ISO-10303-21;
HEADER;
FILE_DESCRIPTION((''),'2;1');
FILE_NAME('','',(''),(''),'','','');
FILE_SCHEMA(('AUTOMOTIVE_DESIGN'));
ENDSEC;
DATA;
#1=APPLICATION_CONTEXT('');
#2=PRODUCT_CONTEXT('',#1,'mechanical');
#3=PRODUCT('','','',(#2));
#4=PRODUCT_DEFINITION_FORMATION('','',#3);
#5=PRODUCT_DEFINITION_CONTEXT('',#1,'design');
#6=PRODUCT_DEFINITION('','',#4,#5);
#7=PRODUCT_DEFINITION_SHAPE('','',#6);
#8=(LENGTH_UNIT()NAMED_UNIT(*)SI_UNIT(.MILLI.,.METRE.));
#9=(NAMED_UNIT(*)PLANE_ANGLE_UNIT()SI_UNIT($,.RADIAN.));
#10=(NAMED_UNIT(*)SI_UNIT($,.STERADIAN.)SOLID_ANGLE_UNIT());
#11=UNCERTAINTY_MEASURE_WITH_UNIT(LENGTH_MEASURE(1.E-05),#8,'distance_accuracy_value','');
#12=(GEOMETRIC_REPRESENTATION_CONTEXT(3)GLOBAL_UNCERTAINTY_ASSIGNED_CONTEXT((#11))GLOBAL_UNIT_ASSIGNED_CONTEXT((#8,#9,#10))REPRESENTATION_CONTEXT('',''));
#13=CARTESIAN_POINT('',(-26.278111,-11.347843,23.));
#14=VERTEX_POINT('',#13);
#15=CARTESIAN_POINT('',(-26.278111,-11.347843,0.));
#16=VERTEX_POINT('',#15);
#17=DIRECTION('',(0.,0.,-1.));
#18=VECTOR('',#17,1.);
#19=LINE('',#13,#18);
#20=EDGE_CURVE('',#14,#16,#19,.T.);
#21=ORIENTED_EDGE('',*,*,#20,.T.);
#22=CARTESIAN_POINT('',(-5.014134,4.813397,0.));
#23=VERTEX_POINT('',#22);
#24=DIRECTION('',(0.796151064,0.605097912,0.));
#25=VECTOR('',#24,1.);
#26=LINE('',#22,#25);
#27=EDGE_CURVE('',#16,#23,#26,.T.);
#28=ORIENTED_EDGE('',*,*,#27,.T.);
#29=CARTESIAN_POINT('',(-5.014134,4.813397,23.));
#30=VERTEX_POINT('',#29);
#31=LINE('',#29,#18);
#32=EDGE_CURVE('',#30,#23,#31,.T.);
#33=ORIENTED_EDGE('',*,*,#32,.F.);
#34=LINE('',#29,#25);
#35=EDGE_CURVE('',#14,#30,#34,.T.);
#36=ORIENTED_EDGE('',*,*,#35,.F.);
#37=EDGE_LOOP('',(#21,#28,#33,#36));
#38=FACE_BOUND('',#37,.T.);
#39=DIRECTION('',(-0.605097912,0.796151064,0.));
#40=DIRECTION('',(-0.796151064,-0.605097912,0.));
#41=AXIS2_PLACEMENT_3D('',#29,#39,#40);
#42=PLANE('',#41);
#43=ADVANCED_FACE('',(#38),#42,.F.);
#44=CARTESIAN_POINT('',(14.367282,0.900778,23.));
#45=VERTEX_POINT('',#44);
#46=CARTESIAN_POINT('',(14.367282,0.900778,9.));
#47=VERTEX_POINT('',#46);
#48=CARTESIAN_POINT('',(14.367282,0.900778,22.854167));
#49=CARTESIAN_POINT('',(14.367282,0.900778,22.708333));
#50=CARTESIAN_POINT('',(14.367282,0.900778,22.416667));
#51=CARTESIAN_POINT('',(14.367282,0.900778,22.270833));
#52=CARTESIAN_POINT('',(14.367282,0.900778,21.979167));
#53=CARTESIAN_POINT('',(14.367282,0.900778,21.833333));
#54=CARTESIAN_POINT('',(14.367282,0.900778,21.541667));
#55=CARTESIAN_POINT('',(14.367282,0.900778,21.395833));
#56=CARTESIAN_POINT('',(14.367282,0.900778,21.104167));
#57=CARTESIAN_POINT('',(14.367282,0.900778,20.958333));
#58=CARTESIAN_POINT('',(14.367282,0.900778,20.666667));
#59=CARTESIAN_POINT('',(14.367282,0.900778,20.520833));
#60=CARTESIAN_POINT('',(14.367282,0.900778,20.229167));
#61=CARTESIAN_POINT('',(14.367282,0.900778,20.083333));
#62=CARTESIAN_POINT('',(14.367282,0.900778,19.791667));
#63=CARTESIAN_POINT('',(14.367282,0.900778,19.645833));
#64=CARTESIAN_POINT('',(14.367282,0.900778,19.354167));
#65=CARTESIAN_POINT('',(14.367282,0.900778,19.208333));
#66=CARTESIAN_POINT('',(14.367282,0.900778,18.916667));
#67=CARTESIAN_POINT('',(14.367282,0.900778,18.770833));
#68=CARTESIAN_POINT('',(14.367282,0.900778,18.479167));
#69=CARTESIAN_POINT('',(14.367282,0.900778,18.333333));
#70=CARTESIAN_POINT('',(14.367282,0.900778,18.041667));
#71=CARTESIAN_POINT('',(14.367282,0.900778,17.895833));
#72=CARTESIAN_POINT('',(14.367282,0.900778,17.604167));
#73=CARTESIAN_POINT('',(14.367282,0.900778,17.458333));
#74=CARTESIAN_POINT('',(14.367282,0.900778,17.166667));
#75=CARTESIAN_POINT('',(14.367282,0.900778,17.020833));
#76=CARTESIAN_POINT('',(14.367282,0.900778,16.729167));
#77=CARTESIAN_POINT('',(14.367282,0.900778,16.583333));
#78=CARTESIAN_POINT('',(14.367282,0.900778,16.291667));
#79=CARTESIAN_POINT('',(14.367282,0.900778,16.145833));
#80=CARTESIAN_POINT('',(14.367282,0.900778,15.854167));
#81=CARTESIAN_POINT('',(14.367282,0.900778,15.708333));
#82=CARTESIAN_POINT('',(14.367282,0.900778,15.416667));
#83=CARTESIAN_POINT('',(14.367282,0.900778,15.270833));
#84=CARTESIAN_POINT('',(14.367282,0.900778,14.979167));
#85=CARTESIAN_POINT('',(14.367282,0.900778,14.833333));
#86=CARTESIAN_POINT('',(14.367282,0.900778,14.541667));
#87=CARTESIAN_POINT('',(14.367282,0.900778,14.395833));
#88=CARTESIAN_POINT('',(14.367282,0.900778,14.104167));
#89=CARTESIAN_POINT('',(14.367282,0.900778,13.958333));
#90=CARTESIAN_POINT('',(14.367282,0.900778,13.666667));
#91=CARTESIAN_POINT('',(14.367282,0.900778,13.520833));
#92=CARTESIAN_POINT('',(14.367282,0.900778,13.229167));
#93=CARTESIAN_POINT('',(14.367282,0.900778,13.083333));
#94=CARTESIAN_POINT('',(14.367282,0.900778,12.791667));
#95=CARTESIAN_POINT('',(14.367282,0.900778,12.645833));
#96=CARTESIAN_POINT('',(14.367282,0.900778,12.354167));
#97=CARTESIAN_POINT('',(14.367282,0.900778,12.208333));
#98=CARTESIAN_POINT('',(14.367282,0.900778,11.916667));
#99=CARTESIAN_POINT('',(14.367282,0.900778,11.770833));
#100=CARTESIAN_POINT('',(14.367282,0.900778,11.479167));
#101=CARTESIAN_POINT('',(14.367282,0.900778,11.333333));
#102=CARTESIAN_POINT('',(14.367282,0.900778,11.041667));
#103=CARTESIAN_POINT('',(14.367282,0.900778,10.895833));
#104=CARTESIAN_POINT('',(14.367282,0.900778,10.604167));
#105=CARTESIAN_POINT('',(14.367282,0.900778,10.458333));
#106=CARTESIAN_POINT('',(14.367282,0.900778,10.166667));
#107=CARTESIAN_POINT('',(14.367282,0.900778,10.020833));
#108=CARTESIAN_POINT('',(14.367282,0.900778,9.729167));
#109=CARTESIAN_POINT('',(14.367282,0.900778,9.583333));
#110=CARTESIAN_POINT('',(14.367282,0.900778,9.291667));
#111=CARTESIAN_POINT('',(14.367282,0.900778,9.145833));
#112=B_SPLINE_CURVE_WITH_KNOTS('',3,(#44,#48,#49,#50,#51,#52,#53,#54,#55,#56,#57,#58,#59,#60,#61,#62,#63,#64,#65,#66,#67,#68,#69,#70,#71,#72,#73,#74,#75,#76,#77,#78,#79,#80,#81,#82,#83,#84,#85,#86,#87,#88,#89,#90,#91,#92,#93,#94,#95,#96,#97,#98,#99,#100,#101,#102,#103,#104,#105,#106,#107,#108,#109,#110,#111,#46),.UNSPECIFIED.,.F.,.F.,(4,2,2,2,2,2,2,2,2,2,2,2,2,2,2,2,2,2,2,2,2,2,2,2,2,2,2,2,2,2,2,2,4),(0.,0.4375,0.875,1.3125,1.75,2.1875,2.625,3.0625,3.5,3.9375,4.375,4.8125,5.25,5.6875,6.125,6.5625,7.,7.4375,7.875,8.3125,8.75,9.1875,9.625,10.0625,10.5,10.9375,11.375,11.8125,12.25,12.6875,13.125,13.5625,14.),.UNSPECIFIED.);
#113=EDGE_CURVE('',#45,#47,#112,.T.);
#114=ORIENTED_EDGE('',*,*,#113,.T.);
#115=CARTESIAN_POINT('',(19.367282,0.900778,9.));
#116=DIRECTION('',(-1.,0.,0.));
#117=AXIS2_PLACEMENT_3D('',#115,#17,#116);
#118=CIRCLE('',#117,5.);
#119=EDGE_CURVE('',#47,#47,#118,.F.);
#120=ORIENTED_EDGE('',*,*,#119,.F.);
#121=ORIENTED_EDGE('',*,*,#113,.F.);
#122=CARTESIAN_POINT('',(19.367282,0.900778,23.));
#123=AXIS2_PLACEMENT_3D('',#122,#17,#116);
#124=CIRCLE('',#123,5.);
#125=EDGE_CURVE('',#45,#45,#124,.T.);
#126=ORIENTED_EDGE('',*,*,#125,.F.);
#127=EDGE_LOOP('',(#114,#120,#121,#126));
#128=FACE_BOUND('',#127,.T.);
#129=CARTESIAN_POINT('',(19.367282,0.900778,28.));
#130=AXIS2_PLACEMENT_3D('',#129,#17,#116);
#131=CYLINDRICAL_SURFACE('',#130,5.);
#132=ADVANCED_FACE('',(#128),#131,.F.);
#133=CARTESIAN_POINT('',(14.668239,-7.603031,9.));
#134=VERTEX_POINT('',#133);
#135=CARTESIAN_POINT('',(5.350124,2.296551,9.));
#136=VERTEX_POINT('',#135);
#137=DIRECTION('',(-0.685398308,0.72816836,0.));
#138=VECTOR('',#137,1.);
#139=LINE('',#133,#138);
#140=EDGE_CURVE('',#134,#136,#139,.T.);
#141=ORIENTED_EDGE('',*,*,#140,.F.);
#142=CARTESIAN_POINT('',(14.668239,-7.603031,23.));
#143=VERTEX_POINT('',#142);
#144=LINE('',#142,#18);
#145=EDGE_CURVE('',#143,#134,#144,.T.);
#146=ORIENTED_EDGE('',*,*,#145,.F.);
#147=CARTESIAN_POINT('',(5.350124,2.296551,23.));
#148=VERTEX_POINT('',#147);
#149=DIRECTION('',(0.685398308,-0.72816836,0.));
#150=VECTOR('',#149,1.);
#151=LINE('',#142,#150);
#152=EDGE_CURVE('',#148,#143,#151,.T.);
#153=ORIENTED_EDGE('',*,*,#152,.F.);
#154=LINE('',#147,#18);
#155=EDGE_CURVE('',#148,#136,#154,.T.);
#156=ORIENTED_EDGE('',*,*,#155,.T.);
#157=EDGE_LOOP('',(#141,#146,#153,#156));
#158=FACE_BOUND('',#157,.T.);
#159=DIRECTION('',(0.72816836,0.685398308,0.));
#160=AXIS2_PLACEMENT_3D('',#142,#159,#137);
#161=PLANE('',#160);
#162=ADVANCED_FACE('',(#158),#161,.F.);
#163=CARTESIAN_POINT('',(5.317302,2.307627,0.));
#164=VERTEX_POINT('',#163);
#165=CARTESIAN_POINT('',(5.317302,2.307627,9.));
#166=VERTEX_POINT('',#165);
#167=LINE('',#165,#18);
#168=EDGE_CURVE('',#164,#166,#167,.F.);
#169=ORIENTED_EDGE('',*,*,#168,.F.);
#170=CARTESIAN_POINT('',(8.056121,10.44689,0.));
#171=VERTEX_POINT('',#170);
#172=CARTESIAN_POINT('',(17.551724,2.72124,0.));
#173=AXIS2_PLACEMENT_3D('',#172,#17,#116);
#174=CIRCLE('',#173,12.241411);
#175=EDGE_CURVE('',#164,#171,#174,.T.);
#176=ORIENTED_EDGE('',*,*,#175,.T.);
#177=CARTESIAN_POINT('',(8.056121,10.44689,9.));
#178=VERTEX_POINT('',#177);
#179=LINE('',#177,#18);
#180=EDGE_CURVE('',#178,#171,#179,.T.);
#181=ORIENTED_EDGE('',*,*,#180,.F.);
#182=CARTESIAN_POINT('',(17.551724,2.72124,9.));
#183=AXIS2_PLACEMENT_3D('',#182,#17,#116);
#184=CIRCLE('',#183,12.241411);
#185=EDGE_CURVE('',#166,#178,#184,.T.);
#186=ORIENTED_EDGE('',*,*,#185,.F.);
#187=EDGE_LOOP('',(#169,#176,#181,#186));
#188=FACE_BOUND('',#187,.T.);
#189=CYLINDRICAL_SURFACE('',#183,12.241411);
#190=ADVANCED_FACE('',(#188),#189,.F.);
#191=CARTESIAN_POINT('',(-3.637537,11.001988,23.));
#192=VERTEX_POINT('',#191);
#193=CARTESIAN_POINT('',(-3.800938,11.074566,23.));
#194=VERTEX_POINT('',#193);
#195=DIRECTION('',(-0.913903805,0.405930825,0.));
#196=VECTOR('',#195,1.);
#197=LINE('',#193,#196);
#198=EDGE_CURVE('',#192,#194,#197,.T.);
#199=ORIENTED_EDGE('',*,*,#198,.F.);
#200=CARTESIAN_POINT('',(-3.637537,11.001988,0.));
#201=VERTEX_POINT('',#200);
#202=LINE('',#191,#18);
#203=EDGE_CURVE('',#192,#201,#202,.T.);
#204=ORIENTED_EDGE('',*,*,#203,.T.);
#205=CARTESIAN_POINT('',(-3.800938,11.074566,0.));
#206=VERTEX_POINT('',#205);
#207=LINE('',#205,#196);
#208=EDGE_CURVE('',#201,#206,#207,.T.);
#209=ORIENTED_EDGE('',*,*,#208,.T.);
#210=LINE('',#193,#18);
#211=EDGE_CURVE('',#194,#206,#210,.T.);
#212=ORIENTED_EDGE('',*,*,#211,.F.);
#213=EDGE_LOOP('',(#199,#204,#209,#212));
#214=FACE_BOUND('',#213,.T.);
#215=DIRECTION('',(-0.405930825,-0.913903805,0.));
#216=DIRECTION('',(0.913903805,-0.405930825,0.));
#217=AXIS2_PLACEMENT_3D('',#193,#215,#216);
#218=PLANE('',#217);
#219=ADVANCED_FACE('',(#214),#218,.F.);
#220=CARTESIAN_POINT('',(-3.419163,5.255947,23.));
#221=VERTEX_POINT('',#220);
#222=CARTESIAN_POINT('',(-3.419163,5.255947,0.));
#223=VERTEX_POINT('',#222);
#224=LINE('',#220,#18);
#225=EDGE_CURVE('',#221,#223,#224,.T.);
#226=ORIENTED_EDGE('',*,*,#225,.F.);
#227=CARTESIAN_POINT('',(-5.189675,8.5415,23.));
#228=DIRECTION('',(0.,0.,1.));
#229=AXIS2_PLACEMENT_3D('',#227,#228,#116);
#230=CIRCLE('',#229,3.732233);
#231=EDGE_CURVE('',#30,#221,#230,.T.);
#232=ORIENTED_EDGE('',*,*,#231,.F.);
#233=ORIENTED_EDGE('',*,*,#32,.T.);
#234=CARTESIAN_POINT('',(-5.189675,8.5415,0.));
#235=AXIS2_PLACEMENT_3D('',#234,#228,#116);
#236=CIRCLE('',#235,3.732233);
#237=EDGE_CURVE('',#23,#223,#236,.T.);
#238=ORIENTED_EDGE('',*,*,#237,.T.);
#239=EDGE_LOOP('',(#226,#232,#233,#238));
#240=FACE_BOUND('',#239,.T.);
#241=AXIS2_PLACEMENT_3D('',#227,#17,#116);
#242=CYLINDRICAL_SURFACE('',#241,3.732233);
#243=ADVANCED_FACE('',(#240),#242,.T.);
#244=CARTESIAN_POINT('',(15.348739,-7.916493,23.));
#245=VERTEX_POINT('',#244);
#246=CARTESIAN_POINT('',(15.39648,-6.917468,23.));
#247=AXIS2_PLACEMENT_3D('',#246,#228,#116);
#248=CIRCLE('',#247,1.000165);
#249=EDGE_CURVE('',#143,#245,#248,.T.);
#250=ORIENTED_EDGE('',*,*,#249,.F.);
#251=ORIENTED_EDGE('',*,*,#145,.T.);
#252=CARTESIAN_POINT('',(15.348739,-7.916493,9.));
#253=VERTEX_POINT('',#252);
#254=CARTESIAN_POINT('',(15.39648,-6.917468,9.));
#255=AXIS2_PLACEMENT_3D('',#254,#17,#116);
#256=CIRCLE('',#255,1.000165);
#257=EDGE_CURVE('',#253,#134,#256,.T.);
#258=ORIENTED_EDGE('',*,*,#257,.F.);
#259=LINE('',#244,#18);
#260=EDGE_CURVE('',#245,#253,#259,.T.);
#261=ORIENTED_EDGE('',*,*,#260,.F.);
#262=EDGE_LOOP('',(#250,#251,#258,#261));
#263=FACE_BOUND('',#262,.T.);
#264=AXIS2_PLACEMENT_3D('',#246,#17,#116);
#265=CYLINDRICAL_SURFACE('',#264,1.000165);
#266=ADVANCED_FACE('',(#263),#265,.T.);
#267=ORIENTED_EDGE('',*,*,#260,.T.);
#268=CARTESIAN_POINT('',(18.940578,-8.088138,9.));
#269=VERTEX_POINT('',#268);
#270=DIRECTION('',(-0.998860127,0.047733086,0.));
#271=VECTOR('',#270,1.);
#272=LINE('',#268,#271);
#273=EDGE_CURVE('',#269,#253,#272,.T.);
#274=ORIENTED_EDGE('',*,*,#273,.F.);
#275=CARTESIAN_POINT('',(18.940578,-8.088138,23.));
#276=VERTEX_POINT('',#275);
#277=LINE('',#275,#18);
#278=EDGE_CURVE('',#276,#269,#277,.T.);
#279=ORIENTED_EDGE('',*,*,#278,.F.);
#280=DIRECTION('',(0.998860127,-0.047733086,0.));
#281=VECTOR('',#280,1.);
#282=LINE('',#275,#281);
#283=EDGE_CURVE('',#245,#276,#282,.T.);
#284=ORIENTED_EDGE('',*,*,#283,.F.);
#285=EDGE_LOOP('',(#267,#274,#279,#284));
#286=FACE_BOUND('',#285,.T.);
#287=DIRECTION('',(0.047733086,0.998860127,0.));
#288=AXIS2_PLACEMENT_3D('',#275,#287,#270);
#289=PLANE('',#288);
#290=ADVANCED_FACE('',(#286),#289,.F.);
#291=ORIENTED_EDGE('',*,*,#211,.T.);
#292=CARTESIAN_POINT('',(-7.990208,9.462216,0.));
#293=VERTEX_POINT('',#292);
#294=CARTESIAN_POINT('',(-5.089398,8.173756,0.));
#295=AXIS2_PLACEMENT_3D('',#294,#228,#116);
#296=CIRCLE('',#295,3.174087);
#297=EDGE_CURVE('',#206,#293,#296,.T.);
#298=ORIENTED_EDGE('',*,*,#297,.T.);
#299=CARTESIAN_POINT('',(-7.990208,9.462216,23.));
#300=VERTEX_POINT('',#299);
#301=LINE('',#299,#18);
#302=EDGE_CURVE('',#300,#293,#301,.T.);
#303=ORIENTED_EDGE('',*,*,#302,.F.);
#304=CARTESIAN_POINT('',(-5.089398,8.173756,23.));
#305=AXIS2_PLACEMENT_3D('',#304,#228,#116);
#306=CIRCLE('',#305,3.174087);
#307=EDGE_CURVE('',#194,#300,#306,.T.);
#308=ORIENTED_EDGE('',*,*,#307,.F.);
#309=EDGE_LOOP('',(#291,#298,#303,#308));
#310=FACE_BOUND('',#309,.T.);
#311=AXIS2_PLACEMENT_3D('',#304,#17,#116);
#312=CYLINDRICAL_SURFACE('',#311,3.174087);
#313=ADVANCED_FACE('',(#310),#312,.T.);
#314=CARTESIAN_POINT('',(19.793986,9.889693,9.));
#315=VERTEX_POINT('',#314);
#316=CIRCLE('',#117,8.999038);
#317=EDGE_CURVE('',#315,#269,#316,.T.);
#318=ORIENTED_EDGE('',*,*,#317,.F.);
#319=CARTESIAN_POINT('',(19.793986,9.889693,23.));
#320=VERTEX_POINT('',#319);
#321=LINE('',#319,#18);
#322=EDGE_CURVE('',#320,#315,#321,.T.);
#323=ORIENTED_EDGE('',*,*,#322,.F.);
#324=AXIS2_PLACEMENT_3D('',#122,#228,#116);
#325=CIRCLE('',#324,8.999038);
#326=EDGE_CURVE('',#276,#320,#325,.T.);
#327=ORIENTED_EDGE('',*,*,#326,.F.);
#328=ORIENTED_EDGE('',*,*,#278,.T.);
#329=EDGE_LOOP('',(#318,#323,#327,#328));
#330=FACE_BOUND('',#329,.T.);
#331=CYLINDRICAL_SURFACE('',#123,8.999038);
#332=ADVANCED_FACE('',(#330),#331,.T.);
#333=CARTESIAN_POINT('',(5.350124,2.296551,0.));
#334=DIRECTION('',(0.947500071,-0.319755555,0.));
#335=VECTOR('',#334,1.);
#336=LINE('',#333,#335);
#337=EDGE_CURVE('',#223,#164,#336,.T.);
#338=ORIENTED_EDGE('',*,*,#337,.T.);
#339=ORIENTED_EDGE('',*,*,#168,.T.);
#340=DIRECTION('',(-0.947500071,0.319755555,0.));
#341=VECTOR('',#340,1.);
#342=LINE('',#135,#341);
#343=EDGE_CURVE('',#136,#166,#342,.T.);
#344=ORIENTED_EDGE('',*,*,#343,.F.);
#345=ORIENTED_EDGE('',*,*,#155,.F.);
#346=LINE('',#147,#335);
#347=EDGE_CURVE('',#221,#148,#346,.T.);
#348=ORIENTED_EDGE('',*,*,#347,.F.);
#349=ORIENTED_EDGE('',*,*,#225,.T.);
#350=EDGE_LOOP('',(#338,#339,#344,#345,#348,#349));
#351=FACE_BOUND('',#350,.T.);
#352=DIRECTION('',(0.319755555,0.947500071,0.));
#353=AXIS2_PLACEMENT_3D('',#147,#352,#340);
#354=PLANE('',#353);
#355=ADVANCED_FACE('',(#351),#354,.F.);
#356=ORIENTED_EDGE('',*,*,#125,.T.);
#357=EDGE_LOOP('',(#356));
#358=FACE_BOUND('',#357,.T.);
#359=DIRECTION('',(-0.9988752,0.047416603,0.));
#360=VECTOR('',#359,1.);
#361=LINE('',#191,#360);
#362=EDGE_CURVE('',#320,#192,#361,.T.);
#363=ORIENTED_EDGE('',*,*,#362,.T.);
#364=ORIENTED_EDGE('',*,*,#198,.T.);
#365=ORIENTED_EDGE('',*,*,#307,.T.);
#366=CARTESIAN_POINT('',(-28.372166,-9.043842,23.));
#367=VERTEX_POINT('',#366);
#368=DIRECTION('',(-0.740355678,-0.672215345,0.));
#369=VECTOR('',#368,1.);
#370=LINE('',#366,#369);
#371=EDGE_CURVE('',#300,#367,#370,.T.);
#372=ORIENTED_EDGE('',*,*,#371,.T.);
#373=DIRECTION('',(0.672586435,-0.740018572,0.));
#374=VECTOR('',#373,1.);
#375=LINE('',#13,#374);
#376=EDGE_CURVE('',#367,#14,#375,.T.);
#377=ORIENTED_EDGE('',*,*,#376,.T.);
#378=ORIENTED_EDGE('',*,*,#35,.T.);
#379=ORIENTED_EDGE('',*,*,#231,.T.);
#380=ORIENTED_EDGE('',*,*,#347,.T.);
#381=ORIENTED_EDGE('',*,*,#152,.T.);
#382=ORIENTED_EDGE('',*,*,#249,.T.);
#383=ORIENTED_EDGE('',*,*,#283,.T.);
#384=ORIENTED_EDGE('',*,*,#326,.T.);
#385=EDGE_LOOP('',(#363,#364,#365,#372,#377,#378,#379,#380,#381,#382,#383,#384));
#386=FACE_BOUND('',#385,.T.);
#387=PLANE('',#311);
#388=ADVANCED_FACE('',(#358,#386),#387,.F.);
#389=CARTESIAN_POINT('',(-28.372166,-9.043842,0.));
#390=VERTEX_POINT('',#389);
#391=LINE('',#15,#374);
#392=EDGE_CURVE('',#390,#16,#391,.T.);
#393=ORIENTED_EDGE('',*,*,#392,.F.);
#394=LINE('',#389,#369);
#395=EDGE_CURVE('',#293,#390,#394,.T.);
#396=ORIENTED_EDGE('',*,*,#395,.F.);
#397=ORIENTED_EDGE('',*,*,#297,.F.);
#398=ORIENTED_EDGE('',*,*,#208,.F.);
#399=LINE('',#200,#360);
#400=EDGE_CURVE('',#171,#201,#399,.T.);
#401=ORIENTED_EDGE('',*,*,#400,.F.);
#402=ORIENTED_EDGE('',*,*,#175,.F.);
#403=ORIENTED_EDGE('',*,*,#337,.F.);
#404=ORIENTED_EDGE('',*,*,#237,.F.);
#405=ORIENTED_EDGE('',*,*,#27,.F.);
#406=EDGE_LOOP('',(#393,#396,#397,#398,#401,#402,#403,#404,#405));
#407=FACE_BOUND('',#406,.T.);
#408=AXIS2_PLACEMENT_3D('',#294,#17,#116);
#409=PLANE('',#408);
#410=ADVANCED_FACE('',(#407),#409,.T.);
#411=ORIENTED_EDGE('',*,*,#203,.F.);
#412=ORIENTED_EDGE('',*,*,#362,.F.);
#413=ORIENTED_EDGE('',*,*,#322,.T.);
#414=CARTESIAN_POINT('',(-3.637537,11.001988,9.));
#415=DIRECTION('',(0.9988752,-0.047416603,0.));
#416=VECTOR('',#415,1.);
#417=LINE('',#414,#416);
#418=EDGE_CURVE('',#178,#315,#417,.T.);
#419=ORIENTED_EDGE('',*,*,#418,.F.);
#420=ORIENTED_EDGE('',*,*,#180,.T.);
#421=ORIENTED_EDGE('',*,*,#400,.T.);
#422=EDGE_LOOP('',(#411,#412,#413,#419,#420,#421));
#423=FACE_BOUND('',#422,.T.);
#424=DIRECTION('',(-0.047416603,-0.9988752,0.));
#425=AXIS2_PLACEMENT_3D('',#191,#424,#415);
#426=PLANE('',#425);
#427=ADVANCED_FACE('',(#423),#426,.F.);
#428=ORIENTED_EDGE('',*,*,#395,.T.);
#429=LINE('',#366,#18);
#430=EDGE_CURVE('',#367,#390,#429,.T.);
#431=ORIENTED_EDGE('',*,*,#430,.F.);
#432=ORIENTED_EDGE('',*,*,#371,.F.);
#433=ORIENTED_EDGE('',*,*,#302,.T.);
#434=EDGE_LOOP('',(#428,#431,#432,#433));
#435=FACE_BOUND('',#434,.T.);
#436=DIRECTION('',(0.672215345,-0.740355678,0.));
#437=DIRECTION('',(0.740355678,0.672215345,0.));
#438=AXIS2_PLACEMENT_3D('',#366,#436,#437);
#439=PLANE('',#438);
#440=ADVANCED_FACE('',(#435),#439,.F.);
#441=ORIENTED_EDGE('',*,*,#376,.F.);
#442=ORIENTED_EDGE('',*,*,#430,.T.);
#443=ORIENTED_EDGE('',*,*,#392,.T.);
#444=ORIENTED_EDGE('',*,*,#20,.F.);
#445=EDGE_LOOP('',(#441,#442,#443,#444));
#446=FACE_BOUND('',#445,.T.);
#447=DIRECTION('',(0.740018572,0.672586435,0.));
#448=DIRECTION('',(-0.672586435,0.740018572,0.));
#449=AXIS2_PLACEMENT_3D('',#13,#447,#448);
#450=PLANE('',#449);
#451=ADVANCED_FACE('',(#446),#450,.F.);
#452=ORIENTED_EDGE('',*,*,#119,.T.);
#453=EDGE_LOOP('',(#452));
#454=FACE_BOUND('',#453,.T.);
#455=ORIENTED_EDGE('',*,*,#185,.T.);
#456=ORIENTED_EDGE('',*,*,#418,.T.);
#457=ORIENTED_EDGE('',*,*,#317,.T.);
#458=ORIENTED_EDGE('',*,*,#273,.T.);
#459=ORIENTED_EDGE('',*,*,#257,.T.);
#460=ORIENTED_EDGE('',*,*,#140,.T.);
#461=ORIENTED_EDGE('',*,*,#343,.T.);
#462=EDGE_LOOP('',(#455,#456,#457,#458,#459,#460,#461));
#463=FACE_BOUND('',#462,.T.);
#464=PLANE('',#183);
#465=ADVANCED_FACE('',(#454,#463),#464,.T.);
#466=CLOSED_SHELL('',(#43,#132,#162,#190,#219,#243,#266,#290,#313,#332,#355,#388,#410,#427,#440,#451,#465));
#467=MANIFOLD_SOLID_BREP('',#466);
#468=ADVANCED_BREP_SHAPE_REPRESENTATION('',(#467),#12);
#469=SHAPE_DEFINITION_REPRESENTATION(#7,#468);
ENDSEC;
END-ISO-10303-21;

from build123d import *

# Parameters (mm, degrees)
BOSS_EXTRUDE1_DEPTH = 23
SKETCH4_R           = 5
CUT_EXTRUDE3_DEPTH  = 28
CUT_EXTRUDE4_DEPTH  = 9


with BuildPart() as part:
    # Sketch1 → Boss-Extrude1 (new body)
    with BuildSketch(Plane.XY):
        with BuildLine():
            Line((-26.278110913, -11.347842937), (-28.372166089, -9.043842083))
            Line((-28.372166089, -9.043842083), (-7.990208081, 9.462215656))
            ThreePointArc((-7.990208081, 9.462215656), (-6.229501786, 11.136017118), (-3.800938061, 11.07456612))
            Line((-3.800938061, 11.07456612), (-3.637536714, 11.001987755))
            Line((-3.637536714, 11.001987755), (19.793985679, 9.88969345))
            ThreePointArc((19.793985679, 9.88969345), (28.356197765, 0.474073738), (18.940578052, -8.088138348))
            Line((18.940578052, -8.088138348), (15.348738563, -7.91649311))
            ThreePointArc((15.348738563, -7.91649311), (14.978028358, -7.825889172), (14.668239185, -7.603030926))
            Line((14.668239185, -7.603030926), (5.35012395, 2.296550983))
            Line((5.35012395, 2.296550983), (-3.419163159, 5.255947346))
            ThreePointArc((-3.419163159, 5.255947346), (-4.191805611, 4.94513719), (-5.014133862, 4.813396687))
            Line((-5.014133862, 4.813396687), (-26.278110913, -11.347842937))
        make_face()
    extrude(amount=BOSS_EXTRUDE1_DEPTH)

    # Sketch4 → Cut-Extrude3 (cut)
    with BuildSketch(Plane(origin=(0, 0, 0), x_dir=(-1, 0, 0), z_dir=(0, 0, -1))):
        with Locations((-19.367281866, 0.900777551)):
            Circle(SKETCH4_R)
    extrude(amount=-CUT_EXTRUDE3_DEPTH, mode=Mode.SUBTRACT)

    # Sketch5 → Cut-Extrude4 (cut)
    with BuildSketch(Plane(origin=(0, 0, 0), x_dir=(-1, 0, 0), z_dir=(0, 0, -1))):
        with BuildLine():
            Line((-8.280771458, 10.715087027), (-20.34194177, 10.142544005))
            ThreePointArc((-20.34194177, 10.142544005), (-28.752978591, 0.302154859), (-18.904257366, -8.099124161))
            Line((-18.904257366, -8.099124161), (-15.316689911, -7.927683074))
            ThreePointArc((-15.316689911, -7.927683074), (-14.945947651, -7.837064321), (-14.636142172, -7.614169396))
            Line((-14.636142172, -7.614169396), (-5.318075302, 2.285361131))
            ThreePointArc((-5.318075302, 2.285361131), (-6.00282629, 6.780194646), (-8.280771458, 10.715087027))
        make_face()
    extrude(amount=-CUT_EXTRUDE4_DEPTH, mode=Mode.SUBTRACT)


solid = part.part
